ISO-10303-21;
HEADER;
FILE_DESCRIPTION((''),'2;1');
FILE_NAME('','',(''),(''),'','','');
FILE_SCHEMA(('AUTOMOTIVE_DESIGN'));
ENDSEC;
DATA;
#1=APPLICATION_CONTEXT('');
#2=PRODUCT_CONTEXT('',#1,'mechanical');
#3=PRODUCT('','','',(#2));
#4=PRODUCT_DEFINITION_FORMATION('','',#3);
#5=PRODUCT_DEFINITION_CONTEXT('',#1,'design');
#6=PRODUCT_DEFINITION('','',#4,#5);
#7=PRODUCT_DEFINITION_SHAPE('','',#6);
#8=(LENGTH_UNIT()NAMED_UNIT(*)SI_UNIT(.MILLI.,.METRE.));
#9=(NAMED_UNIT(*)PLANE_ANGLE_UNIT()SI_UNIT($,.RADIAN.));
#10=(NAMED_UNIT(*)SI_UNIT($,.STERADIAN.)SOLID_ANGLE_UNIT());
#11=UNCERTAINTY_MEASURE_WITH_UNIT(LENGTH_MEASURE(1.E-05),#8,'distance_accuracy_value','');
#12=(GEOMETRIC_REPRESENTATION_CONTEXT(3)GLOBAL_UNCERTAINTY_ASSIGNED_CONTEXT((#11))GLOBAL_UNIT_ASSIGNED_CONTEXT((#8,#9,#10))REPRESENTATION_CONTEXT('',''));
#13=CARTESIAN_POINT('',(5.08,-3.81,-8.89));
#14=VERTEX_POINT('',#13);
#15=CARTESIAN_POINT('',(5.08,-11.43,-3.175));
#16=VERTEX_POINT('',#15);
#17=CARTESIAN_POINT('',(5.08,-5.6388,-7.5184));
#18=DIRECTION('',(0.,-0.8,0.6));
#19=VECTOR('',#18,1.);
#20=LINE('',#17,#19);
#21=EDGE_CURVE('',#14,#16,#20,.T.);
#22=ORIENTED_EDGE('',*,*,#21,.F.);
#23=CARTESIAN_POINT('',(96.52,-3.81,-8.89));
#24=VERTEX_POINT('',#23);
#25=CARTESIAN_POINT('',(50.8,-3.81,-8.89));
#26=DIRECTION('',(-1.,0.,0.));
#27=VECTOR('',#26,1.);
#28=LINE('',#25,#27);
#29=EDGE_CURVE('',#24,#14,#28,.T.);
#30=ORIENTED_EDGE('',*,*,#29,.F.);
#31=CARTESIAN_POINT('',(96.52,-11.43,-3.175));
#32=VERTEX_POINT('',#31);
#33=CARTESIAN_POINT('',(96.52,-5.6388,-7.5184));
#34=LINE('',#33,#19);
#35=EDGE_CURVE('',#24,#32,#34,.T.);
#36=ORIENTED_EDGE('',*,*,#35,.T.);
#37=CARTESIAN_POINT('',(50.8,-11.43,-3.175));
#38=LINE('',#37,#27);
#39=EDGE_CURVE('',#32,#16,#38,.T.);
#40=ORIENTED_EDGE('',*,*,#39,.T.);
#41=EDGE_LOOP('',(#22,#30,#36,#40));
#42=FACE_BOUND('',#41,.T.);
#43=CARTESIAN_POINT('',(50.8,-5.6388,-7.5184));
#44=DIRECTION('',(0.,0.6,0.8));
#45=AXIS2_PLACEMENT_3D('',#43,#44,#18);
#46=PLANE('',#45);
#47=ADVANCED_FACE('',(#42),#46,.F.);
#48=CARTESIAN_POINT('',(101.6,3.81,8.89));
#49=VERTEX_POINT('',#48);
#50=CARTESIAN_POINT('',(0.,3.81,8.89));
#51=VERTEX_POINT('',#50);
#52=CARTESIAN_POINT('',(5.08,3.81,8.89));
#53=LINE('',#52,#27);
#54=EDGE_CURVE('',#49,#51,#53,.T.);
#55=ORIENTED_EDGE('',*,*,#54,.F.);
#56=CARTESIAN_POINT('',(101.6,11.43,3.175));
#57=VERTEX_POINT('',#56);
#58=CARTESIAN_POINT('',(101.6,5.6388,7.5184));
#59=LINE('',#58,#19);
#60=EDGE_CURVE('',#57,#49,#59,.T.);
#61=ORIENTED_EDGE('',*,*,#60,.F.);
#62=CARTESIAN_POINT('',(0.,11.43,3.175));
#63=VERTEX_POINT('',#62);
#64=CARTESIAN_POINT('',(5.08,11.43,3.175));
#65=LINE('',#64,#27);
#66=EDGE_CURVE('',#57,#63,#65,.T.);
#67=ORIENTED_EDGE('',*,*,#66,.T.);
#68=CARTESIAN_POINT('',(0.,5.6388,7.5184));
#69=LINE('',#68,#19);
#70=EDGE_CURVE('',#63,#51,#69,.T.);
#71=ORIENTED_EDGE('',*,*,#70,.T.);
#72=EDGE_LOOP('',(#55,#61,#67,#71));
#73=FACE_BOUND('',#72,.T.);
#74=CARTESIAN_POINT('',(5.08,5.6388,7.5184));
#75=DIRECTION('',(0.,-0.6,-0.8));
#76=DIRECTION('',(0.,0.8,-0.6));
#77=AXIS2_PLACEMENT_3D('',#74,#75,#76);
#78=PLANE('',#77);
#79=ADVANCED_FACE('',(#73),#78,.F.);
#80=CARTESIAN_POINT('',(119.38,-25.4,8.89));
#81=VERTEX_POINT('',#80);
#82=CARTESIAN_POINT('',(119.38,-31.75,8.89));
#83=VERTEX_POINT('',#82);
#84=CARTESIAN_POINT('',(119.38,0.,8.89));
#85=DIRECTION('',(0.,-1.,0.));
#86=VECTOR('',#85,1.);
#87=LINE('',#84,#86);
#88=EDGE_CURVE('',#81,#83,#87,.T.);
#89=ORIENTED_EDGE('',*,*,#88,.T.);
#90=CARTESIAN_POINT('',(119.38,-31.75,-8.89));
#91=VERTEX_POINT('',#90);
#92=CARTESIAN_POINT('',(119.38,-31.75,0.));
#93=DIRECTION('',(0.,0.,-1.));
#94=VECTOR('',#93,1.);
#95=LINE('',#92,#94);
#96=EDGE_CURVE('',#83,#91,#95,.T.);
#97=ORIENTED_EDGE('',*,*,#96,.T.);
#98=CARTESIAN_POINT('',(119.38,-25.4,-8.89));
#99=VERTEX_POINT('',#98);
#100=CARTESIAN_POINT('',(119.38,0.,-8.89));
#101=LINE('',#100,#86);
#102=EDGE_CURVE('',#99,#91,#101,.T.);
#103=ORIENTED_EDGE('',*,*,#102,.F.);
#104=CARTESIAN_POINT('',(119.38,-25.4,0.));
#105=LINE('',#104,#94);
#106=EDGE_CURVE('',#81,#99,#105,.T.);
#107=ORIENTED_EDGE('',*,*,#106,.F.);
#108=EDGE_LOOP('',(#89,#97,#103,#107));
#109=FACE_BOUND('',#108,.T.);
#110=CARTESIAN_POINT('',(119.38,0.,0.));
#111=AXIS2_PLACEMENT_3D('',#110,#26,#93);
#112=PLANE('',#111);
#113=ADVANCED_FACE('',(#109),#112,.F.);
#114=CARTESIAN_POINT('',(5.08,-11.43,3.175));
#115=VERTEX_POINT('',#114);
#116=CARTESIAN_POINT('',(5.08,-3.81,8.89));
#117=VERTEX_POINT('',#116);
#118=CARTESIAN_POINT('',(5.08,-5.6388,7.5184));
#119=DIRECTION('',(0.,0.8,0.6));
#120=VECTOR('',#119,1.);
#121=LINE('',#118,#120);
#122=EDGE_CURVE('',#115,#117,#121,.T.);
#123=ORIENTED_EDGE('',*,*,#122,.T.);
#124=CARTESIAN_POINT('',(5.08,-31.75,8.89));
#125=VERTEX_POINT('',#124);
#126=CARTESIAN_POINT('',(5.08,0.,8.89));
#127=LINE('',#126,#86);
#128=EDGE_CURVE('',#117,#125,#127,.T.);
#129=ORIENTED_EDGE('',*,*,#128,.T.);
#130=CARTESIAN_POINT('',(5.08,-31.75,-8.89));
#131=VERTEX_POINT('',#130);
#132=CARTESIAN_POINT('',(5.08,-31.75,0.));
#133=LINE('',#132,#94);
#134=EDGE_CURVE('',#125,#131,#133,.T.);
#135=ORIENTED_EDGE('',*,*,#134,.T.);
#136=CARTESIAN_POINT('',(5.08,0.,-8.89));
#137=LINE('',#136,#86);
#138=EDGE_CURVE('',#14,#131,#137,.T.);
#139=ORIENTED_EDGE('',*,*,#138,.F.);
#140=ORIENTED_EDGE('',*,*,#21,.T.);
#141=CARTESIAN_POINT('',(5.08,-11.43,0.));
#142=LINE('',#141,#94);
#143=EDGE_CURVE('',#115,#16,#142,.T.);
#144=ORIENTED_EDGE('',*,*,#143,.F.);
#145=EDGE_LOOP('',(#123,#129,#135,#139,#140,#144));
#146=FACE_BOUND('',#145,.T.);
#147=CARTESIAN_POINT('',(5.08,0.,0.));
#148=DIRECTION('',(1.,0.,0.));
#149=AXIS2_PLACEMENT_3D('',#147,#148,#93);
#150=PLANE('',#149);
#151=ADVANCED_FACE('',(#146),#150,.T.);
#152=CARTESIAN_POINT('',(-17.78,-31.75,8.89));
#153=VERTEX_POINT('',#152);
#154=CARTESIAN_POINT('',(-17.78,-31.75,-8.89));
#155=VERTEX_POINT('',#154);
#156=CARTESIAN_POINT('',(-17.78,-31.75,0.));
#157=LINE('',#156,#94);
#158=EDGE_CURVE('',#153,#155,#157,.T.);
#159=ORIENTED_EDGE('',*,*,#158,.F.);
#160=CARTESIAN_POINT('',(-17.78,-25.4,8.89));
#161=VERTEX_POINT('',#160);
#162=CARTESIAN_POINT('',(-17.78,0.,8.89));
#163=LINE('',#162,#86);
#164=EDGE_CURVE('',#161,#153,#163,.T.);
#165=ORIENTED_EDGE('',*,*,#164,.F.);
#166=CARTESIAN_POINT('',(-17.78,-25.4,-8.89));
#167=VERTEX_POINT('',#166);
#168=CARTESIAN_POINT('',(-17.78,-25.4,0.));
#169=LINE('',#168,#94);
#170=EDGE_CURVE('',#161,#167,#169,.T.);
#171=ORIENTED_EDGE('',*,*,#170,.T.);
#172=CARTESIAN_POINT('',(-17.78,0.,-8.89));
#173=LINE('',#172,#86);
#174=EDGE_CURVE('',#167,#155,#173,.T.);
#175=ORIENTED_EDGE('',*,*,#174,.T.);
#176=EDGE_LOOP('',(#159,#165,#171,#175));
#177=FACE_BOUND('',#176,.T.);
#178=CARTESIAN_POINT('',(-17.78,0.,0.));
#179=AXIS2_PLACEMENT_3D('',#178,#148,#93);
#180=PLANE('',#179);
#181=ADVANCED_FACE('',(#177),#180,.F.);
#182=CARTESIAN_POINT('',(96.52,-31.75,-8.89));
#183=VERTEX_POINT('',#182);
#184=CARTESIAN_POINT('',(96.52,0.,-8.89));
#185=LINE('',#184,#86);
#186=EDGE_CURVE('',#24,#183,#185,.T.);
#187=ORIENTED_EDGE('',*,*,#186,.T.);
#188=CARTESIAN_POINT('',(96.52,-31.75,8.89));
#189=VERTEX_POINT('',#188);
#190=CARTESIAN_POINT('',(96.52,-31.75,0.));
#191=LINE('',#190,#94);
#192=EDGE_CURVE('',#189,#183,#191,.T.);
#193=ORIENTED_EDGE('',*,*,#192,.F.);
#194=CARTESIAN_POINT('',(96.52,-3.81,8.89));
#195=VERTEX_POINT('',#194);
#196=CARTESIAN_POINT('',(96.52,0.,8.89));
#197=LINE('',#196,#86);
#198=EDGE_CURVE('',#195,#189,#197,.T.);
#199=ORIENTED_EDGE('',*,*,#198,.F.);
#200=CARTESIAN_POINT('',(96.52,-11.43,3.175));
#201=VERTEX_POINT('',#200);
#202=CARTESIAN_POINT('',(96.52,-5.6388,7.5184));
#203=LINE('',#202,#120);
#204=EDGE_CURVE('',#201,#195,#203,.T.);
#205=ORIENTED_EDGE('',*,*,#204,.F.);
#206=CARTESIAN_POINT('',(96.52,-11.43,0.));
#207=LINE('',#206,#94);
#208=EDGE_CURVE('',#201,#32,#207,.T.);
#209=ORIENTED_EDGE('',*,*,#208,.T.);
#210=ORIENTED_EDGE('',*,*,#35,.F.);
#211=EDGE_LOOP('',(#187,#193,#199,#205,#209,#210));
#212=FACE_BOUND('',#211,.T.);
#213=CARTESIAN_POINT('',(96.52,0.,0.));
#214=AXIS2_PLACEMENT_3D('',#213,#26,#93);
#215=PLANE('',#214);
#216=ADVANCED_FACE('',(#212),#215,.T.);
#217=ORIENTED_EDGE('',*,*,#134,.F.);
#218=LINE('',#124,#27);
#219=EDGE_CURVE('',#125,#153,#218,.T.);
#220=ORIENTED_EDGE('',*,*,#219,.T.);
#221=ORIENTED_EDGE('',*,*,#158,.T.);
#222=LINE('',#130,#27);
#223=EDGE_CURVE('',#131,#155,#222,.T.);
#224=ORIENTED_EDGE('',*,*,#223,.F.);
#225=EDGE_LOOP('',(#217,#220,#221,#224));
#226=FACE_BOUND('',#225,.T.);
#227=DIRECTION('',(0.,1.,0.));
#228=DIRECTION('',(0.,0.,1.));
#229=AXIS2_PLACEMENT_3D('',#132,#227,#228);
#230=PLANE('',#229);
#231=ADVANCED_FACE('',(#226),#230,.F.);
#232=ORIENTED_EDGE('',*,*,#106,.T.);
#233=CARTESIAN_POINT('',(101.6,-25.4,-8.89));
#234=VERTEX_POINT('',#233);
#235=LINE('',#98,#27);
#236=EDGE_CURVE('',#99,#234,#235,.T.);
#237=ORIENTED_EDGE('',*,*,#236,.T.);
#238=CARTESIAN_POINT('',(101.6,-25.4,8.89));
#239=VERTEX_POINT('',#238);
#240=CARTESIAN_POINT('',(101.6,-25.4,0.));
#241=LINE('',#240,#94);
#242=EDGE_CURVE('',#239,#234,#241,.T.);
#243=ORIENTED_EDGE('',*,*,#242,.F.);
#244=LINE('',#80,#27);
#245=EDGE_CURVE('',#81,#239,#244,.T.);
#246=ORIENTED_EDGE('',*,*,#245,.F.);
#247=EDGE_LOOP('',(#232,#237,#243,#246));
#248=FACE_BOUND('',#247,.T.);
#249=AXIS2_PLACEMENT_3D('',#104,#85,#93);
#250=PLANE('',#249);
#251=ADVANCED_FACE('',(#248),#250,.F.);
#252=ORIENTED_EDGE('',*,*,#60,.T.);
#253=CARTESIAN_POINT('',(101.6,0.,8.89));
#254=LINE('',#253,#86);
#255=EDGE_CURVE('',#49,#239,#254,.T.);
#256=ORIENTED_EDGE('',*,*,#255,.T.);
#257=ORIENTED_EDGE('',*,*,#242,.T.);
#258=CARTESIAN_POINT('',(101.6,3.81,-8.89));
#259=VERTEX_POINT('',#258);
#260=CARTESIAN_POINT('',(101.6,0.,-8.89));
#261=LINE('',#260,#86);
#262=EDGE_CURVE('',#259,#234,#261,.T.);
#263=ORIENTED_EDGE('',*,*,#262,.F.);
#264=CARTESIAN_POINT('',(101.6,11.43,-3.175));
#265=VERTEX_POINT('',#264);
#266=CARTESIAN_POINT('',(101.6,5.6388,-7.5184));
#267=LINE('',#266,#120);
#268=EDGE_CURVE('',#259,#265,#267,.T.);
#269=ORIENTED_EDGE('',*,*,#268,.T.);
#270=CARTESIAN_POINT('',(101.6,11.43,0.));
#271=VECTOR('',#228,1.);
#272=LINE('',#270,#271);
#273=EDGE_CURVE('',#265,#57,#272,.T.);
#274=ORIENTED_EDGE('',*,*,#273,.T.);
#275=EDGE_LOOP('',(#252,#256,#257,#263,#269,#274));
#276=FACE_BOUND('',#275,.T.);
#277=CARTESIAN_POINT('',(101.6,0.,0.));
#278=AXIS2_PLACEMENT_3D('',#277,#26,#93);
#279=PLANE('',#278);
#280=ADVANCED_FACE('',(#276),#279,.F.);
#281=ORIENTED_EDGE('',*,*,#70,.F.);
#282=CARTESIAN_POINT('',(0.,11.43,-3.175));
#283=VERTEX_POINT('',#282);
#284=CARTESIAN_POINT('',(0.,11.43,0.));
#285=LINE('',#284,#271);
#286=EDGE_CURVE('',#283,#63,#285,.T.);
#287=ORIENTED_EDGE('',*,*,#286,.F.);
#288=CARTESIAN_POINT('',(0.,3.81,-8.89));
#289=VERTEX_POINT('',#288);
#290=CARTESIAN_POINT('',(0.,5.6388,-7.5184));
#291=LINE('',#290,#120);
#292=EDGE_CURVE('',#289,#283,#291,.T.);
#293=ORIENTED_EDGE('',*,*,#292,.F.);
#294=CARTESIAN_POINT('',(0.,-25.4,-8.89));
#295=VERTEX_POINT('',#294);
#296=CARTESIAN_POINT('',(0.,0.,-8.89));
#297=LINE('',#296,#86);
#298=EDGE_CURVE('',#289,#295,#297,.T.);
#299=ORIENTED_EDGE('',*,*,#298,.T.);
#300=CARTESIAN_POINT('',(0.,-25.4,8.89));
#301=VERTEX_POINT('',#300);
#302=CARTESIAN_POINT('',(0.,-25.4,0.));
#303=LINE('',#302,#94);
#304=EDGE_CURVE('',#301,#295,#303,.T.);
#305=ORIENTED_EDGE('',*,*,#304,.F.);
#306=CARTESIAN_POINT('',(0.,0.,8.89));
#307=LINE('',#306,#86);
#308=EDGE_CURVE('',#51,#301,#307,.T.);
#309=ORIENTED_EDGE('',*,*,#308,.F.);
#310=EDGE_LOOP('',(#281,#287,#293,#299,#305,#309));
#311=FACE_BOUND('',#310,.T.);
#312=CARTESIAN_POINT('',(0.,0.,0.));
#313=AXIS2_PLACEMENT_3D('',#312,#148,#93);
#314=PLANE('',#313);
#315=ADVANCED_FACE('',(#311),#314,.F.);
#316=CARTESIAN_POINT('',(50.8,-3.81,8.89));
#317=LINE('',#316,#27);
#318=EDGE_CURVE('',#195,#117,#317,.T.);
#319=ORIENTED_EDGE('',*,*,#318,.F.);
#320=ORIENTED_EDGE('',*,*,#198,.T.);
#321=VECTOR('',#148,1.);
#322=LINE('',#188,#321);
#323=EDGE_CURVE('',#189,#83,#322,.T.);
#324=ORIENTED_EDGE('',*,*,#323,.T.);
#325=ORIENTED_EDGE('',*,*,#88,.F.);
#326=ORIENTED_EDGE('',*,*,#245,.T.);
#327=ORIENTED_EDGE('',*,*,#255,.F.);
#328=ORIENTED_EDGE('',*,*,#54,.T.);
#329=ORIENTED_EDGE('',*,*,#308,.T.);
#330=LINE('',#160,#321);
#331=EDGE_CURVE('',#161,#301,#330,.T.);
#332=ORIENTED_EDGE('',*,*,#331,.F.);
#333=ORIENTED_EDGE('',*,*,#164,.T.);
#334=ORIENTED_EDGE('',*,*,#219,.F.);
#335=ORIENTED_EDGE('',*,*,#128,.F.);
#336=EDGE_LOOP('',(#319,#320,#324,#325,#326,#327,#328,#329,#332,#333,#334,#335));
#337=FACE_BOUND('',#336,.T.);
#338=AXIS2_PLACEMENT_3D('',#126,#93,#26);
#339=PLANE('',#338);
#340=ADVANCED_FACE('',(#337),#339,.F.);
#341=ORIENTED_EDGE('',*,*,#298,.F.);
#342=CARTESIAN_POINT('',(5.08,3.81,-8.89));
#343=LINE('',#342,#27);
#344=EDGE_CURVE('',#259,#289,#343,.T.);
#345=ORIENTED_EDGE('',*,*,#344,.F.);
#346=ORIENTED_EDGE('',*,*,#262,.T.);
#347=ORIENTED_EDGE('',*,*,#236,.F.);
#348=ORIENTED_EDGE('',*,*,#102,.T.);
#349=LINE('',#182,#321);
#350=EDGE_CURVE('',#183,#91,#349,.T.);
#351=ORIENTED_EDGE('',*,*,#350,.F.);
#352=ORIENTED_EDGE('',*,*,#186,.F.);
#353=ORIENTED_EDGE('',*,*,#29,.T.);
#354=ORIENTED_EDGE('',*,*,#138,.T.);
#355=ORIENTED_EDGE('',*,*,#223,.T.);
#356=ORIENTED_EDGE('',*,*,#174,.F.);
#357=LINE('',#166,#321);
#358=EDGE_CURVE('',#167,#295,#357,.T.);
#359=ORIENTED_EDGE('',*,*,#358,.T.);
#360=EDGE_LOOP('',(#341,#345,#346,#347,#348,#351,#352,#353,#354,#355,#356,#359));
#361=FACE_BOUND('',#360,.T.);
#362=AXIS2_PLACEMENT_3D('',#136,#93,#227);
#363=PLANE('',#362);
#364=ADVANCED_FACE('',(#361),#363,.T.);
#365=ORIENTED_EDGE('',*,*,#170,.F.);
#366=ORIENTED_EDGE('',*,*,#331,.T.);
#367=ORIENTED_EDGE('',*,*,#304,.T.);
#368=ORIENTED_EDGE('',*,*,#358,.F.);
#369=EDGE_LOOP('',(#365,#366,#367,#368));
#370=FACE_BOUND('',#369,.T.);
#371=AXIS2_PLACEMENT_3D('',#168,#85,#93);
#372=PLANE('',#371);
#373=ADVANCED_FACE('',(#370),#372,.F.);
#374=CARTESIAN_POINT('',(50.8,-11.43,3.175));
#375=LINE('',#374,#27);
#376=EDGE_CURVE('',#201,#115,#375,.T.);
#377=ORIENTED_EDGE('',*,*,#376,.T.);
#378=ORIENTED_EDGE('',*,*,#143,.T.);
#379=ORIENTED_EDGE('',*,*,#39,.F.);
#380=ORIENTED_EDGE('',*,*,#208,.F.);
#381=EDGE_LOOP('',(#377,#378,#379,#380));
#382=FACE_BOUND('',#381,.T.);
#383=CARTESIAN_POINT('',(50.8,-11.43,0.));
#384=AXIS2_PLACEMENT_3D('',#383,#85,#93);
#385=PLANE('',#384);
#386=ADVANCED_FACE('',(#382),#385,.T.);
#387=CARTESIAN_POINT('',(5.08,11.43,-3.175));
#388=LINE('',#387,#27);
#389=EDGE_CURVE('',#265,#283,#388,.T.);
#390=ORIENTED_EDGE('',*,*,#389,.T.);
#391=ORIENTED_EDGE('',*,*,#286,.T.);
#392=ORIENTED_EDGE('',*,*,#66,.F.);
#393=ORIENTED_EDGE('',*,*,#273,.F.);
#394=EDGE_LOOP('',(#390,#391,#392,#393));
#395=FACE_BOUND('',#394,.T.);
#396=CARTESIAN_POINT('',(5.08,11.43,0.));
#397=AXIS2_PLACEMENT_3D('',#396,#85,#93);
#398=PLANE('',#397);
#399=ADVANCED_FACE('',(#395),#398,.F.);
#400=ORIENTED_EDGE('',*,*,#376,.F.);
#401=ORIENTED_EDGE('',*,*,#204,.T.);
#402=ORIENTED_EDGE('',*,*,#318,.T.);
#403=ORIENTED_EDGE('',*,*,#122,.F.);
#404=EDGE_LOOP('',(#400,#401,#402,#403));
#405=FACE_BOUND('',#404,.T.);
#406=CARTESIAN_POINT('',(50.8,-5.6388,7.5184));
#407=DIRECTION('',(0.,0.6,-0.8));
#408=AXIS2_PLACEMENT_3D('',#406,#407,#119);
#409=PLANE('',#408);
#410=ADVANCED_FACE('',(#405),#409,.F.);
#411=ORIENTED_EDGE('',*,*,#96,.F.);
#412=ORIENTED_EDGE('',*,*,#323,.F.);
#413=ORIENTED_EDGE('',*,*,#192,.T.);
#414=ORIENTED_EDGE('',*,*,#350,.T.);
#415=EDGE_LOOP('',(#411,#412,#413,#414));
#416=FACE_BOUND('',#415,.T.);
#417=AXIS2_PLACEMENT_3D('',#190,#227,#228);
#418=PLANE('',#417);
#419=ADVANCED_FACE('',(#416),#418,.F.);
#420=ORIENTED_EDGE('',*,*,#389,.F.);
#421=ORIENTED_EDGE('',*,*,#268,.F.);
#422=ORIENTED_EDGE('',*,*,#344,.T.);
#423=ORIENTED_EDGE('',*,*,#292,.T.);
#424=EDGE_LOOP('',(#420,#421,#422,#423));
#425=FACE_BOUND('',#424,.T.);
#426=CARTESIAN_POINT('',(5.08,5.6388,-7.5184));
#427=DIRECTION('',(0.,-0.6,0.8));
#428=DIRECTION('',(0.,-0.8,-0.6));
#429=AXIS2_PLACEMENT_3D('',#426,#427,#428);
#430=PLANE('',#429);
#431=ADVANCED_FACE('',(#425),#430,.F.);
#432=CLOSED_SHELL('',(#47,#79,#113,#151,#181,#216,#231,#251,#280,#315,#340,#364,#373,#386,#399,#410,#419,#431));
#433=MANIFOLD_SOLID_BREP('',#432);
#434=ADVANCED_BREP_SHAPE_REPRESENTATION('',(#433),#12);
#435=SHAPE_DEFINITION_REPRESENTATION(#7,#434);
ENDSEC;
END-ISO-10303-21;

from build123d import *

# Parameters (mm, degrees)
BOSS_EXTRUDE1_DEPTH = 5.08
BOSS_EXTRUDE2_DEPTH = 50.8
SKETCH1_4_W         = 17.78
SKETCH1_4_H         = 6.35
BOSS_EXTRUDE3_DEPTH = 17.78


with BuildPart() as part:
    # Sketch1 → Boss-Extrude1 (new body)
    with BuildSketch(Plane(origin=(0, 0, 0), x_dir=(0, 0, -1), z_dir=(1, 0, 0))):
        Polygon((-8.89, 3.81), (-8.89, -31.75), (8.89, -31.75), (8.89, 3.81), (3.175, 11.43), (-3.175, 11.43), align=None)
    extrude(amount=BOSS_EXTRUDE1_DEPTH)

    # Sketch1<3> → Boss-Extrude2 (add)
    with BuildSketch(Plane(origin=(0, 0, 0), x_dir=(0, 0, -1), z_dir=(1, 0, 0))):
        Polygon((3.175, -11.43), (8.89, -3.81), (8.89, 3.81), (3.175, 11.43), (-3.175, 11.43), (-8.89, 3.81), (-8.89, -3.81), (-3.175, -11.43), align=None)
    extrude(amount=BOSS_EXTRUDE2_DEPTH)

    # Sketch1<4> → Boss-Extrude3 (add)
    with BuildSketch(Plane(origin=(0, 0, 0), x_dir=(0, 0, -1), z_dir=(1, 0, 0))):
        with Locations((0, -28.575)):
            Rectangle(SKETCH1_4_W, SKETCH1_4_H)
    extrude(amount=-BOSS_EXTRUDE3_DEPTH)

    # Mirror1: part across plane


with BuildPart() as part_1:
    add(part.part)
    add(part.part.mirror(Plane(origin=(50.8, 0, 0), x_dir=(0, 0, 1), z_dir=(1, 0, 0))))


solid = part_1.part
